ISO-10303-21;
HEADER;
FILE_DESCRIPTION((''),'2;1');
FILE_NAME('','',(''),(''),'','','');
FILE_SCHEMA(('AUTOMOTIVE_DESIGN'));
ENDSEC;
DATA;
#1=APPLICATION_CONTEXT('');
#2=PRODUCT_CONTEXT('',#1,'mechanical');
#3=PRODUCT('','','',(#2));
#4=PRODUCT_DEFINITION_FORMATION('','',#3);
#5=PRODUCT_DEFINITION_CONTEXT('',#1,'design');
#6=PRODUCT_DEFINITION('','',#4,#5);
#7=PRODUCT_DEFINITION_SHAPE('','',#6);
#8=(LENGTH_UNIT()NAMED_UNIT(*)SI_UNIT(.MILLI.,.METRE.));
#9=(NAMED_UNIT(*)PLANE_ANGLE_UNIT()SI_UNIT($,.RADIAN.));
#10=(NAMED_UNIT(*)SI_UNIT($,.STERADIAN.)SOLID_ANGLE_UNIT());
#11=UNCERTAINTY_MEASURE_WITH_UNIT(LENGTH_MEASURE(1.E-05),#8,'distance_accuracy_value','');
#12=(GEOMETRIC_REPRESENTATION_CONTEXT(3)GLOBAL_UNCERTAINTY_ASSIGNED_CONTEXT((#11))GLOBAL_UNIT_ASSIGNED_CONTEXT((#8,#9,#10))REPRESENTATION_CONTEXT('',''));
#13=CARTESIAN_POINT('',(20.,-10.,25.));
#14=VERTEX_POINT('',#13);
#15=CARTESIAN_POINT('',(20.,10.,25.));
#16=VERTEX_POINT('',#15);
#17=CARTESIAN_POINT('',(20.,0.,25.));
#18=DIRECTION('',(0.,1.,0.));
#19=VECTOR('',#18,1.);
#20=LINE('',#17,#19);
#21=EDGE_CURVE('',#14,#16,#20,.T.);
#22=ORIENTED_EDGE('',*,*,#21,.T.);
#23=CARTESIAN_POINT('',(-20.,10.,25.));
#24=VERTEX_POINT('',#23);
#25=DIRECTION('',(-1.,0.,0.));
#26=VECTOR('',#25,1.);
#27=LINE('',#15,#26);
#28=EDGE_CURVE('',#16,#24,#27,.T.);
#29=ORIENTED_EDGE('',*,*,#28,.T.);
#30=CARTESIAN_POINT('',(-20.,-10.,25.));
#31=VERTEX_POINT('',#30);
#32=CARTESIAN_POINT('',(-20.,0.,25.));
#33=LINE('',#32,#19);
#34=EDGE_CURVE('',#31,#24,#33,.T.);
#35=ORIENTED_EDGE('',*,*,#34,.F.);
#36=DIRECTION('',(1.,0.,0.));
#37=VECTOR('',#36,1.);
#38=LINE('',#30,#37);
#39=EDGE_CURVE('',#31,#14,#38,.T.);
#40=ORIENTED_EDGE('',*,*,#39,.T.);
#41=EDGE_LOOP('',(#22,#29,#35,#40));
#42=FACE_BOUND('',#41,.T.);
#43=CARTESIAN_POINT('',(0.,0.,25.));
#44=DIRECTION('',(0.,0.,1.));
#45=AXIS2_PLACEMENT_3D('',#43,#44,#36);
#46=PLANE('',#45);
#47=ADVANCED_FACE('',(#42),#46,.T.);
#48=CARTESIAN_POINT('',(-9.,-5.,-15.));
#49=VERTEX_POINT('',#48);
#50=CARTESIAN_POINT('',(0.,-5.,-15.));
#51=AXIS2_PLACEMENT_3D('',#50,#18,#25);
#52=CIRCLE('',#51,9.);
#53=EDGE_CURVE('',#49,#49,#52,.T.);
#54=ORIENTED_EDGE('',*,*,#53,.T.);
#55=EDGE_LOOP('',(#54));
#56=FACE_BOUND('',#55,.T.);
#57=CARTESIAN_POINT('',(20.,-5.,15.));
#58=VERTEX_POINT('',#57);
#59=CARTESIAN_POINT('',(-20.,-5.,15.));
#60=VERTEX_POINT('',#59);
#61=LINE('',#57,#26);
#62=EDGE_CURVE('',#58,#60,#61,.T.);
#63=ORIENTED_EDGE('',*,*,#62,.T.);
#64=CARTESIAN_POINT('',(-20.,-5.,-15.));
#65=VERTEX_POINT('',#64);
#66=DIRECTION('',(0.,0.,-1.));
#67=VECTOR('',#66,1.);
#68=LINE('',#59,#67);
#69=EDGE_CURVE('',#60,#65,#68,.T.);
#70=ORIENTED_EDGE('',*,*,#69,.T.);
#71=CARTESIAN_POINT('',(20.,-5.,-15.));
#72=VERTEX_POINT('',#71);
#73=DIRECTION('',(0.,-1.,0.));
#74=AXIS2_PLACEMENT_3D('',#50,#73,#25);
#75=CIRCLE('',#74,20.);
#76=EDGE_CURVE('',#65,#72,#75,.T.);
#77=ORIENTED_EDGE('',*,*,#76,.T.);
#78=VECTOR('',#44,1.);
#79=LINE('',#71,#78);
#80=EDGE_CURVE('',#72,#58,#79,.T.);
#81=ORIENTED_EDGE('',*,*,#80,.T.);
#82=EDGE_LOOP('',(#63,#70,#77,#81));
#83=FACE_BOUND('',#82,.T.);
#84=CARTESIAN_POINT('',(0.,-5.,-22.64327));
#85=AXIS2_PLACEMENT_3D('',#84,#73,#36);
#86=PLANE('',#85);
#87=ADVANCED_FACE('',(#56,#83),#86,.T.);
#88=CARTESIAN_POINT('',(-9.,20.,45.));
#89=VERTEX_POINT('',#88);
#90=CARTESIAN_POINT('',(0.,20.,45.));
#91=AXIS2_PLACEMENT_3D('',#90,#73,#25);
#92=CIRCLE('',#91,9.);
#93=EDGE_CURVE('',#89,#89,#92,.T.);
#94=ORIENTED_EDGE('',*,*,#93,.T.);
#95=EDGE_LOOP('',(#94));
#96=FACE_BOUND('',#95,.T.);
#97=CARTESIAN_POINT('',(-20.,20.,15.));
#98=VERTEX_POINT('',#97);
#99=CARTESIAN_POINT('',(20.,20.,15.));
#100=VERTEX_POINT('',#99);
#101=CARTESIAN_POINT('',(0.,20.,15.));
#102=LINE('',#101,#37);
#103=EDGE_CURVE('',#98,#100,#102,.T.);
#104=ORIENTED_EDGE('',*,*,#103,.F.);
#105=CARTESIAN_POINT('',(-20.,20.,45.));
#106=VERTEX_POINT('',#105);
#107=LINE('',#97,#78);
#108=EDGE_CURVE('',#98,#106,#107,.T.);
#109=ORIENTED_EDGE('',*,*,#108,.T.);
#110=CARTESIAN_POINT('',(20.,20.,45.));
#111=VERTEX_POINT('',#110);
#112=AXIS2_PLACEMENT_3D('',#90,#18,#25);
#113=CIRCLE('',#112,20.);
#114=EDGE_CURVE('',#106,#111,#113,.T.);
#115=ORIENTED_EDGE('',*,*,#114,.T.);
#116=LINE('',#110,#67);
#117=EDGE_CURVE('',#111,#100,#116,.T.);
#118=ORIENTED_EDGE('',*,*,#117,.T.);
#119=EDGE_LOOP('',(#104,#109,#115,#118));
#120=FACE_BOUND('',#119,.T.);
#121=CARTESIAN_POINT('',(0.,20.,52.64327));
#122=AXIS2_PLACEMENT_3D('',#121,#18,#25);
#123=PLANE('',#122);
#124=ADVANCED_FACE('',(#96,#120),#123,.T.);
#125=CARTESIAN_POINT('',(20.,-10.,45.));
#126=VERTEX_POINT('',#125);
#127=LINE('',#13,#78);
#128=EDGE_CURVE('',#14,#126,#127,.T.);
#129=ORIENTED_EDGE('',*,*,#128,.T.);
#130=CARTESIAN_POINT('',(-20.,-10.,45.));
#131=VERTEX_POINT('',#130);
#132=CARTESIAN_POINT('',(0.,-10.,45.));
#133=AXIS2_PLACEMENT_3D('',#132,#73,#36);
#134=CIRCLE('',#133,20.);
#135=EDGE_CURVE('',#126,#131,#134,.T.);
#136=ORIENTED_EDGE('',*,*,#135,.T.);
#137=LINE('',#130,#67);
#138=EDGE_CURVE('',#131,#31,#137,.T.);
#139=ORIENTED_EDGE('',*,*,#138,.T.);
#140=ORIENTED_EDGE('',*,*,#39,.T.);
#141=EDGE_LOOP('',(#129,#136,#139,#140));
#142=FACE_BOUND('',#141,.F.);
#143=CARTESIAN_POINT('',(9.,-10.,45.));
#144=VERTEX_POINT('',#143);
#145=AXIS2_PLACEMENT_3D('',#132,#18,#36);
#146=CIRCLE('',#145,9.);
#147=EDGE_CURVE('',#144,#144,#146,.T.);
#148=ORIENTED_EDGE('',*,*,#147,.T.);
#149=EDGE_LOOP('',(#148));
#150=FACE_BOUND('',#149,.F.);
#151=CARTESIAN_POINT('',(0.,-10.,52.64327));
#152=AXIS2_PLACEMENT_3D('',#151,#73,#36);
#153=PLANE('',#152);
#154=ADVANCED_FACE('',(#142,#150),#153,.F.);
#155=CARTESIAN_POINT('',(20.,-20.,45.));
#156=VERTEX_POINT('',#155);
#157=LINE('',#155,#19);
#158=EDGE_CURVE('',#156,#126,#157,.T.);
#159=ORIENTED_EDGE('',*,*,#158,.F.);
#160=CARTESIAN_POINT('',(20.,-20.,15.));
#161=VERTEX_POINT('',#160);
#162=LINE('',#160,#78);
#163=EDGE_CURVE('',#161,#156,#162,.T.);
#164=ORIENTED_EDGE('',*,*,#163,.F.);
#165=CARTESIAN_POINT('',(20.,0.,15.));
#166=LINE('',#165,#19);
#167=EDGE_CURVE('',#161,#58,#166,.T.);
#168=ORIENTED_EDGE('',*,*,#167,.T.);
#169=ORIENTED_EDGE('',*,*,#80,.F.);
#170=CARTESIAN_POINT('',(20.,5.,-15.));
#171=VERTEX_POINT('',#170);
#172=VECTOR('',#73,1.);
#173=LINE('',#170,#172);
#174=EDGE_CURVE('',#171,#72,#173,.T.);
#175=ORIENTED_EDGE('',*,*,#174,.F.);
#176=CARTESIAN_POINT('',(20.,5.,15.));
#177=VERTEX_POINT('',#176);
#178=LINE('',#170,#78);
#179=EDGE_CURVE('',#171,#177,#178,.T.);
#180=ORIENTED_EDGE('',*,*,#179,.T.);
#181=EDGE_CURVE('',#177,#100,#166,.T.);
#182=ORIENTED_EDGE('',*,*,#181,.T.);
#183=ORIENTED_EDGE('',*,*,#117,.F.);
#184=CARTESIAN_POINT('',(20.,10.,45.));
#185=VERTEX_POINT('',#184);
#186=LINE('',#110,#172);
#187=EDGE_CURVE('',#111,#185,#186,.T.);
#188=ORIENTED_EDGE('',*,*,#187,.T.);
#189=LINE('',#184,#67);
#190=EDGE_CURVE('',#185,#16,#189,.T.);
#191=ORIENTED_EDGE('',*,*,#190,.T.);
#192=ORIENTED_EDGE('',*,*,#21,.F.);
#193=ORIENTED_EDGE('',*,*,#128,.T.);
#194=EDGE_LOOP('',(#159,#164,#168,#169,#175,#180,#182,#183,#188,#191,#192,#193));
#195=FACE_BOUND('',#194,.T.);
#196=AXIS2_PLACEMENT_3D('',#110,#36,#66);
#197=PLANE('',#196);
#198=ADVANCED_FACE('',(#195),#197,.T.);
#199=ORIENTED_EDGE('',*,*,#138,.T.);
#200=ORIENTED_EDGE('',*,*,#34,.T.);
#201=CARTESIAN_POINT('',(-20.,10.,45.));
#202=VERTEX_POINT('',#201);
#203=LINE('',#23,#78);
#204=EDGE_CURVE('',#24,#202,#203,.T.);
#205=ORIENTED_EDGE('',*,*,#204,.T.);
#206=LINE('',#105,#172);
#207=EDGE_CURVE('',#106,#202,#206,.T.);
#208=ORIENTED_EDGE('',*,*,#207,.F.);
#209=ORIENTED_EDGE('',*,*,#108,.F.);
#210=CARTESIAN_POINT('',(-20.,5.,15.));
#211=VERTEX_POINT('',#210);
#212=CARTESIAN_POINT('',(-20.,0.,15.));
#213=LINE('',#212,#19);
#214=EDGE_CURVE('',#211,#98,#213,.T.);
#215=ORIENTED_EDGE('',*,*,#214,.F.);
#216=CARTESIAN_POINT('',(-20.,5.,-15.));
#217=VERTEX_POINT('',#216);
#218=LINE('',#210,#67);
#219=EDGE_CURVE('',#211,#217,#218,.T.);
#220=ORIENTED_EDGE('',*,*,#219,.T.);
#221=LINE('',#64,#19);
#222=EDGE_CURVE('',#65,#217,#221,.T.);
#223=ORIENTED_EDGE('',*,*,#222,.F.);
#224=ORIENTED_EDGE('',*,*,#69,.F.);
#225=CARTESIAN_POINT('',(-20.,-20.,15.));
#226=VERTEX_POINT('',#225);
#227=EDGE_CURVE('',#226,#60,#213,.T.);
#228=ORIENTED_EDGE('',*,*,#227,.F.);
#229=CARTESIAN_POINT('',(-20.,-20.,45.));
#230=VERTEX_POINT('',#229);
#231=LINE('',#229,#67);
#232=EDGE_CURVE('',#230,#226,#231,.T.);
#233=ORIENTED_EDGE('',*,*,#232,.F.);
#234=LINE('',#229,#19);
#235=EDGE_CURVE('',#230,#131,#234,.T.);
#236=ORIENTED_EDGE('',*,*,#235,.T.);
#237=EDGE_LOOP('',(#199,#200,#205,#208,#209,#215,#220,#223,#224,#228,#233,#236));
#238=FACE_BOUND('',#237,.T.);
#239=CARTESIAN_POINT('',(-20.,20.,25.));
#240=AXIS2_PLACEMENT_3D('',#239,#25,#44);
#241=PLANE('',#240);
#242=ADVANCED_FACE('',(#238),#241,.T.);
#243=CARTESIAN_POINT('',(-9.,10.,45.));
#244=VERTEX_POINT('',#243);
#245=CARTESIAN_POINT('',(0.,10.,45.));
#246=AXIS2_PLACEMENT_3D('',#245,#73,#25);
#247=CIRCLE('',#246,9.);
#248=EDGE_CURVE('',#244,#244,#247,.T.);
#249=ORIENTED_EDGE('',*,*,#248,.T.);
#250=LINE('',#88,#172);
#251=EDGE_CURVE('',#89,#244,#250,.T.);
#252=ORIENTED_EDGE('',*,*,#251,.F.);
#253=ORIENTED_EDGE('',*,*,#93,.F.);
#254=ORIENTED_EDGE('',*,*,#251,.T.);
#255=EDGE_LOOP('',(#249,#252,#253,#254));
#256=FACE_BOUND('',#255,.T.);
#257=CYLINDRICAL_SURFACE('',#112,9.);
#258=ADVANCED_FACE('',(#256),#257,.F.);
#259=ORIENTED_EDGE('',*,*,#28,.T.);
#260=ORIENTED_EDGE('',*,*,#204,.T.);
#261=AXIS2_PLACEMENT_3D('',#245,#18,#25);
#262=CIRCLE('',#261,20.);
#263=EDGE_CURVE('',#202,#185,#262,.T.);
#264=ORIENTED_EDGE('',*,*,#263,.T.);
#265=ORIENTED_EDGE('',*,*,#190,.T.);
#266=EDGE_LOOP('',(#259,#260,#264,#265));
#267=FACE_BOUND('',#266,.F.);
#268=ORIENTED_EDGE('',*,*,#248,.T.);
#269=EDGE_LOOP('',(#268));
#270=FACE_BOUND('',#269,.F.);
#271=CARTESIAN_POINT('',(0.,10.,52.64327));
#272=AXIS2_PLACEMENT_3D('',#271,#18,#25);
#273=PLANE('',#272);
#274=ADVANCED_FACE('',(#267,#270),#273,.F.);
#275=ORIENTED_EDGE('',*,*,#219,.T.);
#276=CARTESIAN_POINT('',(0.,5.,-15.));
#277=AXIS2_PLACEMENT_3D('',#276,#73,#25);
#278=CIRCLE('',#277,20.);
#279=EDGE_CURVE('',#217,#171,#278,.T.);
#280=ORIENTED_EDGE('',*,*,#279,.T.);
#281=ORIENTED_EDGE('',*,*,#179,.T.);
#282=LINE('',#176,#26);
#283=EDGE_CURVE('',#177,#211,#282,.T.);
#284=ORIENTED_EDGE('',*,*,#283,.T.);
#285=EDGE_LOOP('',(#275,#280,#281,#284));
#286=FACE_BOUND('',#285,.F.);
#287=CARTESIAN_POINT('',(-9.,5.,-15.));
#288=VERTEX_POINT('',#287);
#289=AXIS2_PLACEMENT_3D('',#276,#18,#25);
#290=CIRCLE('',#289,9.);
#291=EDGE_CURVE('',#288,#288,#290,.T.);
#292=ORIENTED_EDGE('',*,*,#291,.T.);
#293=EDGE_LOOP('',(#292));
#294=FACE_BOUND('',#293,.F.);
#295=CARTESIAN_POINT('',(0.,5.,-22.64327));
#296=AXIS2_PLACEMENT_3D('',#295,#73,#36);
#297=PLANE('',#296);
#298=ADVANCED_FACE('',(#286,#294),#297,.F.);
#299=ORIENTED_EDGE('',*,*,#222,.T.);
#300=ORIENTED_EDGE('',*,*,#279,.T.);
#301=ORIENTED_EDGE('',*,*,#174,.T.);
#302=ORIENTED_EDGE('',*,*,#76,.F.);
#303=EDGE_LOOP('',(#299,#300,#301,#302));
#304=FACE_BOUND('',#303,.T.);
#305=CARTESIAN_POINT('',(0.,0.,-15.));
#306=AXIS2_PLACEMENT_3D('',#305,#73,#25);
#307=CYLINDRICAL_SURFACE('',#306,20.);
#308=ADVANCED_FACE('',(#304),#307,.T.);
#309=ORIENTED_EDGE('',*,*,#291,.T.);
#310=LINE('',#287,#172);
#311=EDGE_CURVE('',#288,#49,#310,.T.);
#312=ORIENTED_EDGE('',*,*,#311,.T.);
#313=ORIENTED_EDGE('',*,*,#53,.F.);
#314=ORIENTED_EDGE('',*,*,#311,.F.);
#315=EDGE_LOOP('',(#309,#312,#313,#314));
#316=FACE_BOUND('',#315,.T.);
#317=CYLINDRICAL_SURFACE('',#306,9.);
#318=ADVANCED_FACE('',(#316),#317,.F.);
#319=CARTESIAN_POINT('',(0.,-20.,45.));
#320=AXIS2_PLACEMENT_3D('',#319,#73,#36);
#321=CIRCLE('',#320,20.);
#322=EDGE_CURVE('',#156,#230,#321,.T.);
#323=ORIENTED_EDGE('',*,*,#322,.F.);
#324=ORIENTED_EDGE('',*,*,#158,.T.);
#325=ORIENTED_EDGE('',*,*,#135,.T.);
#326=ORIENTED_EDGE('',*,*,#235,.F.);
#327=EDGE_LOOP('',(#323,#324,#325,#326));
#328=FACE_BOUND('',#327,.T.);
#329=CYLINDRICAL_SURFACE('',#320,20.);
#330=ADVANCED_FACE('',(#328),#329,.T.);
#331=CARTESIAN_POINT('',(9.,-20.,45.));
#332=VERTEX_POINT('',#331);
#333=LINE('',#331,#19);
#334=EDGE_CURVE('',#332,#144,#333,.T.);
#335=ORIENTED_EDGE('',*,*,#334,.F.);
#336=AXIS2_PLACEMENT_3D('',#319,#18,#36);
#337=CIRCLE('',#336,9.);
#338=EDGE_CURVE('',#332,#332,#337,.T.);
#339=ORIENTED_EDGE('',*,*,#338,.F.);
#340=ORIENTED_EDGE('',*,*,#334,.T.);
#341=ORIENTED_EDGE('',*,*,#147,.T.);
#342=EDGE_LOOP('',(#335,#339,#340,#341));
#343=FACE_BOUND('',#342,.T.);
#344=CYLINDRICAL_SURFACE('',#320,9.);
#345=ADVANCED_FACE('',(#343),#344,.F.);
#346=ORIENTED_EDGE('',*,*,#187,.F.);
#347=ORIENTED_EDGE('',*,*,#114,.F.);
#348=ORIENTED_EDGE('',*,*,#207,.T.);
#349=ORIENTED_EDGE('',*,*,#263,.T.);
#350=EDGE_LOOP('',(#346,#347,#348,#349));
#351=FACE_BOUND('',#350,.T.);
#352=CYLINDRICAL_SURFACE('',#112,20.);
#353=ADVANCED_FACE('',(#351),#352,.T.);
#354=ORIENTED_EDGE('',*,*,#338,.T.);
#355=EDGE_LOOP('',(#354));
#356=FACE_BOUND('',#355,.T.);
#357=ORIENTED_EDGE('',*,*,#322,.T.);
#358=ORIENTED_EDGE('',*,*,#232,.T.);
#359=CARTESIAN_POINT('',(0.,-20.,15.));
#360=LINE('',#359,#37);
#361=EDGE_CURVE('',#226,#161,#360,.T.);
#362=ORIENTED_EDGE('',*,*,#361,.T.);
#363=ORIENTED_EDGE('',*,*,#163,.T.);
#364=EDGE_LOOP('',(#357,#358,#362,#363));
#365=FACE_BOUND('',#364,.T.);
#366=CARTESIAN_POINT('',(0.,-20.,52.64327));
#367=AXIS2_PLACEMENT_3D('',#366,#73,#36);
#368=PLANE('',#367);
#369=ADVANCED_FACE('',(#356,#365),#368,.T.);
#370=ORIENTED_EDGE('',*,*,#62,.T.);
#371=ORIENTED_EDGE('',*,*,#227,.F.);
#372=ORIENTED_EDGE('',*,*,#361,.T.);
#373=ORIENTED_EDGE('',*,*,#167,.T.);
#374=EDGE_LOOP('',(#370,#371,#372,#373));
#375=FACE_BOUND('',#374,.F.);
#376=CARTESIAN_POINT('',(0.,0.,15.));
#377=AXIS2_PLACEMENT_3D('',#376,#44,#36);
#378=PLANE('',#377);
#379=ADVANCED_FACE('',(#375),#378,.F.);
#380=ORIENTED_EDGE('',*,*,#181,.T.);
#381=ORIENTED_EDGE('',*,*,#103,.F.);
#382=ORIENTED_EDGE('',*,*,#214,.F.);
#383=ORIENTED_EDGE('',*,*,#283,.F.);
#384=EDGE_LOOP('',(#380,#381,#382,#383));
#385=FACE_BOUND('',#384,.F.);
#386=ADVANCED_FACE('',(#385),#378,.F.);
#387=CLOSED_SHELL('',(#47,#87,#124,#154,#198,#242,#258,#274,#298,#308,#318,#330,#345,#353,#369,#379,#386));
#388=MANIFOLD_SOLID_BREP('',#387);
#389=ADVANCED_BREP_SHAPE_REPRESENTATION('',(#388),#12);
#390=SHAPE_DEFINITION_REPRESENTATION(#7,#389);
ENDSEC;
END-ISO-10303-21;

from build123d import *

# Parameters (mm, degrees)
F1_DEPTH = 5
F2_W     = 40
F2_H     = 40
F3_DEPTH = 10
F5_DEPTH = 10
F7_DEPTH = 10


with BuildPart() as f1:
    # F0 (on Front) → F1 (new body, symmetric)
    with BuildSketch(Plane.XZ):
        with BuildLine():
            ThreePointArc((-20, -15), (0, -35), (20, -15))
            Line((20, -15), (9, -15))
            ThreePointArc((9, -15), (0, -24), (-9, -15))
            Line((-9, -15), (-20, -15))
        make_face()
        with BuildLine():
            Line((9, -15), (20, -15))
            Line((20, -15), (20, 15))
            Line((20, 15), (-20, 15))
            Line((-20, 15), (-20, -15))
            Line((-20, -15), (-9, -15))
            ThreePointArc((-9, -15), (0, -6), (9, -15))
        make_face()
    extrude(amount=F1_DEPTH, both=True)

    # F2 (on face) → F3 (join)
    with BuildSketch(Plane.XY.offset(15)):
        Rectangle(F2_W, F2_H)
    extrude(amount=F3_DEPTH)

    # F4 (on face) → F5 (join)
    with BuildSketch(Plane.XZ.offset(20)):
        with BuildLine():
            ThreePointArc((-9, 45), (0, 54), (9, 45))
            Line((9, 45), (20, 45))
            ThreePointArc((20, 45), (0, 65), (-20, 45))
            Line((-20, 45), (-9, 45))
        make_face()
        with BuildLine():
            Line((20, 45), (9, 45))
            ThreePointArc((9, 45), (0, 36), (-9, 45))
            Line((-9, 45), (-20, 45))
            Line((-20, 45), (-20, 25))
            Line((-20, 25), (20, 25))
            Line((20, 25), (20, 45))
        make_face()
    extrude(amount=-F5_DEPTH)

    # F6 (on face) → F7 (join)
    with BuildSketch(Plane(origin=(0, 20, 0), x_dir=(-1, 0, 0), z_dir=(0, 1, 0))):
        with BuildLine():
            ThreePointArc((-9, 45), (0, 54), (9, 45))
            Line((9, 45), (20, 45))
            ThreePointArc((20, 45), (0, 65), (-20, 45))
            Line((-20, 45), (-9, 45))
        make_face()
        with BuildLine():
            Line((20, 45), (9, 45))
            ThreePointArc((9, 45), (0, 36), (-9, 45))
            Line((-9, 45), (-20, 45))
            Line((-20, 45), (-20, 25))
            Line((-20, 25), (20, 25))
            Line((20, 25), (20, 45))
        make_face()
    extrude(amount=-F7_DEPTH)


solid = f1.part
